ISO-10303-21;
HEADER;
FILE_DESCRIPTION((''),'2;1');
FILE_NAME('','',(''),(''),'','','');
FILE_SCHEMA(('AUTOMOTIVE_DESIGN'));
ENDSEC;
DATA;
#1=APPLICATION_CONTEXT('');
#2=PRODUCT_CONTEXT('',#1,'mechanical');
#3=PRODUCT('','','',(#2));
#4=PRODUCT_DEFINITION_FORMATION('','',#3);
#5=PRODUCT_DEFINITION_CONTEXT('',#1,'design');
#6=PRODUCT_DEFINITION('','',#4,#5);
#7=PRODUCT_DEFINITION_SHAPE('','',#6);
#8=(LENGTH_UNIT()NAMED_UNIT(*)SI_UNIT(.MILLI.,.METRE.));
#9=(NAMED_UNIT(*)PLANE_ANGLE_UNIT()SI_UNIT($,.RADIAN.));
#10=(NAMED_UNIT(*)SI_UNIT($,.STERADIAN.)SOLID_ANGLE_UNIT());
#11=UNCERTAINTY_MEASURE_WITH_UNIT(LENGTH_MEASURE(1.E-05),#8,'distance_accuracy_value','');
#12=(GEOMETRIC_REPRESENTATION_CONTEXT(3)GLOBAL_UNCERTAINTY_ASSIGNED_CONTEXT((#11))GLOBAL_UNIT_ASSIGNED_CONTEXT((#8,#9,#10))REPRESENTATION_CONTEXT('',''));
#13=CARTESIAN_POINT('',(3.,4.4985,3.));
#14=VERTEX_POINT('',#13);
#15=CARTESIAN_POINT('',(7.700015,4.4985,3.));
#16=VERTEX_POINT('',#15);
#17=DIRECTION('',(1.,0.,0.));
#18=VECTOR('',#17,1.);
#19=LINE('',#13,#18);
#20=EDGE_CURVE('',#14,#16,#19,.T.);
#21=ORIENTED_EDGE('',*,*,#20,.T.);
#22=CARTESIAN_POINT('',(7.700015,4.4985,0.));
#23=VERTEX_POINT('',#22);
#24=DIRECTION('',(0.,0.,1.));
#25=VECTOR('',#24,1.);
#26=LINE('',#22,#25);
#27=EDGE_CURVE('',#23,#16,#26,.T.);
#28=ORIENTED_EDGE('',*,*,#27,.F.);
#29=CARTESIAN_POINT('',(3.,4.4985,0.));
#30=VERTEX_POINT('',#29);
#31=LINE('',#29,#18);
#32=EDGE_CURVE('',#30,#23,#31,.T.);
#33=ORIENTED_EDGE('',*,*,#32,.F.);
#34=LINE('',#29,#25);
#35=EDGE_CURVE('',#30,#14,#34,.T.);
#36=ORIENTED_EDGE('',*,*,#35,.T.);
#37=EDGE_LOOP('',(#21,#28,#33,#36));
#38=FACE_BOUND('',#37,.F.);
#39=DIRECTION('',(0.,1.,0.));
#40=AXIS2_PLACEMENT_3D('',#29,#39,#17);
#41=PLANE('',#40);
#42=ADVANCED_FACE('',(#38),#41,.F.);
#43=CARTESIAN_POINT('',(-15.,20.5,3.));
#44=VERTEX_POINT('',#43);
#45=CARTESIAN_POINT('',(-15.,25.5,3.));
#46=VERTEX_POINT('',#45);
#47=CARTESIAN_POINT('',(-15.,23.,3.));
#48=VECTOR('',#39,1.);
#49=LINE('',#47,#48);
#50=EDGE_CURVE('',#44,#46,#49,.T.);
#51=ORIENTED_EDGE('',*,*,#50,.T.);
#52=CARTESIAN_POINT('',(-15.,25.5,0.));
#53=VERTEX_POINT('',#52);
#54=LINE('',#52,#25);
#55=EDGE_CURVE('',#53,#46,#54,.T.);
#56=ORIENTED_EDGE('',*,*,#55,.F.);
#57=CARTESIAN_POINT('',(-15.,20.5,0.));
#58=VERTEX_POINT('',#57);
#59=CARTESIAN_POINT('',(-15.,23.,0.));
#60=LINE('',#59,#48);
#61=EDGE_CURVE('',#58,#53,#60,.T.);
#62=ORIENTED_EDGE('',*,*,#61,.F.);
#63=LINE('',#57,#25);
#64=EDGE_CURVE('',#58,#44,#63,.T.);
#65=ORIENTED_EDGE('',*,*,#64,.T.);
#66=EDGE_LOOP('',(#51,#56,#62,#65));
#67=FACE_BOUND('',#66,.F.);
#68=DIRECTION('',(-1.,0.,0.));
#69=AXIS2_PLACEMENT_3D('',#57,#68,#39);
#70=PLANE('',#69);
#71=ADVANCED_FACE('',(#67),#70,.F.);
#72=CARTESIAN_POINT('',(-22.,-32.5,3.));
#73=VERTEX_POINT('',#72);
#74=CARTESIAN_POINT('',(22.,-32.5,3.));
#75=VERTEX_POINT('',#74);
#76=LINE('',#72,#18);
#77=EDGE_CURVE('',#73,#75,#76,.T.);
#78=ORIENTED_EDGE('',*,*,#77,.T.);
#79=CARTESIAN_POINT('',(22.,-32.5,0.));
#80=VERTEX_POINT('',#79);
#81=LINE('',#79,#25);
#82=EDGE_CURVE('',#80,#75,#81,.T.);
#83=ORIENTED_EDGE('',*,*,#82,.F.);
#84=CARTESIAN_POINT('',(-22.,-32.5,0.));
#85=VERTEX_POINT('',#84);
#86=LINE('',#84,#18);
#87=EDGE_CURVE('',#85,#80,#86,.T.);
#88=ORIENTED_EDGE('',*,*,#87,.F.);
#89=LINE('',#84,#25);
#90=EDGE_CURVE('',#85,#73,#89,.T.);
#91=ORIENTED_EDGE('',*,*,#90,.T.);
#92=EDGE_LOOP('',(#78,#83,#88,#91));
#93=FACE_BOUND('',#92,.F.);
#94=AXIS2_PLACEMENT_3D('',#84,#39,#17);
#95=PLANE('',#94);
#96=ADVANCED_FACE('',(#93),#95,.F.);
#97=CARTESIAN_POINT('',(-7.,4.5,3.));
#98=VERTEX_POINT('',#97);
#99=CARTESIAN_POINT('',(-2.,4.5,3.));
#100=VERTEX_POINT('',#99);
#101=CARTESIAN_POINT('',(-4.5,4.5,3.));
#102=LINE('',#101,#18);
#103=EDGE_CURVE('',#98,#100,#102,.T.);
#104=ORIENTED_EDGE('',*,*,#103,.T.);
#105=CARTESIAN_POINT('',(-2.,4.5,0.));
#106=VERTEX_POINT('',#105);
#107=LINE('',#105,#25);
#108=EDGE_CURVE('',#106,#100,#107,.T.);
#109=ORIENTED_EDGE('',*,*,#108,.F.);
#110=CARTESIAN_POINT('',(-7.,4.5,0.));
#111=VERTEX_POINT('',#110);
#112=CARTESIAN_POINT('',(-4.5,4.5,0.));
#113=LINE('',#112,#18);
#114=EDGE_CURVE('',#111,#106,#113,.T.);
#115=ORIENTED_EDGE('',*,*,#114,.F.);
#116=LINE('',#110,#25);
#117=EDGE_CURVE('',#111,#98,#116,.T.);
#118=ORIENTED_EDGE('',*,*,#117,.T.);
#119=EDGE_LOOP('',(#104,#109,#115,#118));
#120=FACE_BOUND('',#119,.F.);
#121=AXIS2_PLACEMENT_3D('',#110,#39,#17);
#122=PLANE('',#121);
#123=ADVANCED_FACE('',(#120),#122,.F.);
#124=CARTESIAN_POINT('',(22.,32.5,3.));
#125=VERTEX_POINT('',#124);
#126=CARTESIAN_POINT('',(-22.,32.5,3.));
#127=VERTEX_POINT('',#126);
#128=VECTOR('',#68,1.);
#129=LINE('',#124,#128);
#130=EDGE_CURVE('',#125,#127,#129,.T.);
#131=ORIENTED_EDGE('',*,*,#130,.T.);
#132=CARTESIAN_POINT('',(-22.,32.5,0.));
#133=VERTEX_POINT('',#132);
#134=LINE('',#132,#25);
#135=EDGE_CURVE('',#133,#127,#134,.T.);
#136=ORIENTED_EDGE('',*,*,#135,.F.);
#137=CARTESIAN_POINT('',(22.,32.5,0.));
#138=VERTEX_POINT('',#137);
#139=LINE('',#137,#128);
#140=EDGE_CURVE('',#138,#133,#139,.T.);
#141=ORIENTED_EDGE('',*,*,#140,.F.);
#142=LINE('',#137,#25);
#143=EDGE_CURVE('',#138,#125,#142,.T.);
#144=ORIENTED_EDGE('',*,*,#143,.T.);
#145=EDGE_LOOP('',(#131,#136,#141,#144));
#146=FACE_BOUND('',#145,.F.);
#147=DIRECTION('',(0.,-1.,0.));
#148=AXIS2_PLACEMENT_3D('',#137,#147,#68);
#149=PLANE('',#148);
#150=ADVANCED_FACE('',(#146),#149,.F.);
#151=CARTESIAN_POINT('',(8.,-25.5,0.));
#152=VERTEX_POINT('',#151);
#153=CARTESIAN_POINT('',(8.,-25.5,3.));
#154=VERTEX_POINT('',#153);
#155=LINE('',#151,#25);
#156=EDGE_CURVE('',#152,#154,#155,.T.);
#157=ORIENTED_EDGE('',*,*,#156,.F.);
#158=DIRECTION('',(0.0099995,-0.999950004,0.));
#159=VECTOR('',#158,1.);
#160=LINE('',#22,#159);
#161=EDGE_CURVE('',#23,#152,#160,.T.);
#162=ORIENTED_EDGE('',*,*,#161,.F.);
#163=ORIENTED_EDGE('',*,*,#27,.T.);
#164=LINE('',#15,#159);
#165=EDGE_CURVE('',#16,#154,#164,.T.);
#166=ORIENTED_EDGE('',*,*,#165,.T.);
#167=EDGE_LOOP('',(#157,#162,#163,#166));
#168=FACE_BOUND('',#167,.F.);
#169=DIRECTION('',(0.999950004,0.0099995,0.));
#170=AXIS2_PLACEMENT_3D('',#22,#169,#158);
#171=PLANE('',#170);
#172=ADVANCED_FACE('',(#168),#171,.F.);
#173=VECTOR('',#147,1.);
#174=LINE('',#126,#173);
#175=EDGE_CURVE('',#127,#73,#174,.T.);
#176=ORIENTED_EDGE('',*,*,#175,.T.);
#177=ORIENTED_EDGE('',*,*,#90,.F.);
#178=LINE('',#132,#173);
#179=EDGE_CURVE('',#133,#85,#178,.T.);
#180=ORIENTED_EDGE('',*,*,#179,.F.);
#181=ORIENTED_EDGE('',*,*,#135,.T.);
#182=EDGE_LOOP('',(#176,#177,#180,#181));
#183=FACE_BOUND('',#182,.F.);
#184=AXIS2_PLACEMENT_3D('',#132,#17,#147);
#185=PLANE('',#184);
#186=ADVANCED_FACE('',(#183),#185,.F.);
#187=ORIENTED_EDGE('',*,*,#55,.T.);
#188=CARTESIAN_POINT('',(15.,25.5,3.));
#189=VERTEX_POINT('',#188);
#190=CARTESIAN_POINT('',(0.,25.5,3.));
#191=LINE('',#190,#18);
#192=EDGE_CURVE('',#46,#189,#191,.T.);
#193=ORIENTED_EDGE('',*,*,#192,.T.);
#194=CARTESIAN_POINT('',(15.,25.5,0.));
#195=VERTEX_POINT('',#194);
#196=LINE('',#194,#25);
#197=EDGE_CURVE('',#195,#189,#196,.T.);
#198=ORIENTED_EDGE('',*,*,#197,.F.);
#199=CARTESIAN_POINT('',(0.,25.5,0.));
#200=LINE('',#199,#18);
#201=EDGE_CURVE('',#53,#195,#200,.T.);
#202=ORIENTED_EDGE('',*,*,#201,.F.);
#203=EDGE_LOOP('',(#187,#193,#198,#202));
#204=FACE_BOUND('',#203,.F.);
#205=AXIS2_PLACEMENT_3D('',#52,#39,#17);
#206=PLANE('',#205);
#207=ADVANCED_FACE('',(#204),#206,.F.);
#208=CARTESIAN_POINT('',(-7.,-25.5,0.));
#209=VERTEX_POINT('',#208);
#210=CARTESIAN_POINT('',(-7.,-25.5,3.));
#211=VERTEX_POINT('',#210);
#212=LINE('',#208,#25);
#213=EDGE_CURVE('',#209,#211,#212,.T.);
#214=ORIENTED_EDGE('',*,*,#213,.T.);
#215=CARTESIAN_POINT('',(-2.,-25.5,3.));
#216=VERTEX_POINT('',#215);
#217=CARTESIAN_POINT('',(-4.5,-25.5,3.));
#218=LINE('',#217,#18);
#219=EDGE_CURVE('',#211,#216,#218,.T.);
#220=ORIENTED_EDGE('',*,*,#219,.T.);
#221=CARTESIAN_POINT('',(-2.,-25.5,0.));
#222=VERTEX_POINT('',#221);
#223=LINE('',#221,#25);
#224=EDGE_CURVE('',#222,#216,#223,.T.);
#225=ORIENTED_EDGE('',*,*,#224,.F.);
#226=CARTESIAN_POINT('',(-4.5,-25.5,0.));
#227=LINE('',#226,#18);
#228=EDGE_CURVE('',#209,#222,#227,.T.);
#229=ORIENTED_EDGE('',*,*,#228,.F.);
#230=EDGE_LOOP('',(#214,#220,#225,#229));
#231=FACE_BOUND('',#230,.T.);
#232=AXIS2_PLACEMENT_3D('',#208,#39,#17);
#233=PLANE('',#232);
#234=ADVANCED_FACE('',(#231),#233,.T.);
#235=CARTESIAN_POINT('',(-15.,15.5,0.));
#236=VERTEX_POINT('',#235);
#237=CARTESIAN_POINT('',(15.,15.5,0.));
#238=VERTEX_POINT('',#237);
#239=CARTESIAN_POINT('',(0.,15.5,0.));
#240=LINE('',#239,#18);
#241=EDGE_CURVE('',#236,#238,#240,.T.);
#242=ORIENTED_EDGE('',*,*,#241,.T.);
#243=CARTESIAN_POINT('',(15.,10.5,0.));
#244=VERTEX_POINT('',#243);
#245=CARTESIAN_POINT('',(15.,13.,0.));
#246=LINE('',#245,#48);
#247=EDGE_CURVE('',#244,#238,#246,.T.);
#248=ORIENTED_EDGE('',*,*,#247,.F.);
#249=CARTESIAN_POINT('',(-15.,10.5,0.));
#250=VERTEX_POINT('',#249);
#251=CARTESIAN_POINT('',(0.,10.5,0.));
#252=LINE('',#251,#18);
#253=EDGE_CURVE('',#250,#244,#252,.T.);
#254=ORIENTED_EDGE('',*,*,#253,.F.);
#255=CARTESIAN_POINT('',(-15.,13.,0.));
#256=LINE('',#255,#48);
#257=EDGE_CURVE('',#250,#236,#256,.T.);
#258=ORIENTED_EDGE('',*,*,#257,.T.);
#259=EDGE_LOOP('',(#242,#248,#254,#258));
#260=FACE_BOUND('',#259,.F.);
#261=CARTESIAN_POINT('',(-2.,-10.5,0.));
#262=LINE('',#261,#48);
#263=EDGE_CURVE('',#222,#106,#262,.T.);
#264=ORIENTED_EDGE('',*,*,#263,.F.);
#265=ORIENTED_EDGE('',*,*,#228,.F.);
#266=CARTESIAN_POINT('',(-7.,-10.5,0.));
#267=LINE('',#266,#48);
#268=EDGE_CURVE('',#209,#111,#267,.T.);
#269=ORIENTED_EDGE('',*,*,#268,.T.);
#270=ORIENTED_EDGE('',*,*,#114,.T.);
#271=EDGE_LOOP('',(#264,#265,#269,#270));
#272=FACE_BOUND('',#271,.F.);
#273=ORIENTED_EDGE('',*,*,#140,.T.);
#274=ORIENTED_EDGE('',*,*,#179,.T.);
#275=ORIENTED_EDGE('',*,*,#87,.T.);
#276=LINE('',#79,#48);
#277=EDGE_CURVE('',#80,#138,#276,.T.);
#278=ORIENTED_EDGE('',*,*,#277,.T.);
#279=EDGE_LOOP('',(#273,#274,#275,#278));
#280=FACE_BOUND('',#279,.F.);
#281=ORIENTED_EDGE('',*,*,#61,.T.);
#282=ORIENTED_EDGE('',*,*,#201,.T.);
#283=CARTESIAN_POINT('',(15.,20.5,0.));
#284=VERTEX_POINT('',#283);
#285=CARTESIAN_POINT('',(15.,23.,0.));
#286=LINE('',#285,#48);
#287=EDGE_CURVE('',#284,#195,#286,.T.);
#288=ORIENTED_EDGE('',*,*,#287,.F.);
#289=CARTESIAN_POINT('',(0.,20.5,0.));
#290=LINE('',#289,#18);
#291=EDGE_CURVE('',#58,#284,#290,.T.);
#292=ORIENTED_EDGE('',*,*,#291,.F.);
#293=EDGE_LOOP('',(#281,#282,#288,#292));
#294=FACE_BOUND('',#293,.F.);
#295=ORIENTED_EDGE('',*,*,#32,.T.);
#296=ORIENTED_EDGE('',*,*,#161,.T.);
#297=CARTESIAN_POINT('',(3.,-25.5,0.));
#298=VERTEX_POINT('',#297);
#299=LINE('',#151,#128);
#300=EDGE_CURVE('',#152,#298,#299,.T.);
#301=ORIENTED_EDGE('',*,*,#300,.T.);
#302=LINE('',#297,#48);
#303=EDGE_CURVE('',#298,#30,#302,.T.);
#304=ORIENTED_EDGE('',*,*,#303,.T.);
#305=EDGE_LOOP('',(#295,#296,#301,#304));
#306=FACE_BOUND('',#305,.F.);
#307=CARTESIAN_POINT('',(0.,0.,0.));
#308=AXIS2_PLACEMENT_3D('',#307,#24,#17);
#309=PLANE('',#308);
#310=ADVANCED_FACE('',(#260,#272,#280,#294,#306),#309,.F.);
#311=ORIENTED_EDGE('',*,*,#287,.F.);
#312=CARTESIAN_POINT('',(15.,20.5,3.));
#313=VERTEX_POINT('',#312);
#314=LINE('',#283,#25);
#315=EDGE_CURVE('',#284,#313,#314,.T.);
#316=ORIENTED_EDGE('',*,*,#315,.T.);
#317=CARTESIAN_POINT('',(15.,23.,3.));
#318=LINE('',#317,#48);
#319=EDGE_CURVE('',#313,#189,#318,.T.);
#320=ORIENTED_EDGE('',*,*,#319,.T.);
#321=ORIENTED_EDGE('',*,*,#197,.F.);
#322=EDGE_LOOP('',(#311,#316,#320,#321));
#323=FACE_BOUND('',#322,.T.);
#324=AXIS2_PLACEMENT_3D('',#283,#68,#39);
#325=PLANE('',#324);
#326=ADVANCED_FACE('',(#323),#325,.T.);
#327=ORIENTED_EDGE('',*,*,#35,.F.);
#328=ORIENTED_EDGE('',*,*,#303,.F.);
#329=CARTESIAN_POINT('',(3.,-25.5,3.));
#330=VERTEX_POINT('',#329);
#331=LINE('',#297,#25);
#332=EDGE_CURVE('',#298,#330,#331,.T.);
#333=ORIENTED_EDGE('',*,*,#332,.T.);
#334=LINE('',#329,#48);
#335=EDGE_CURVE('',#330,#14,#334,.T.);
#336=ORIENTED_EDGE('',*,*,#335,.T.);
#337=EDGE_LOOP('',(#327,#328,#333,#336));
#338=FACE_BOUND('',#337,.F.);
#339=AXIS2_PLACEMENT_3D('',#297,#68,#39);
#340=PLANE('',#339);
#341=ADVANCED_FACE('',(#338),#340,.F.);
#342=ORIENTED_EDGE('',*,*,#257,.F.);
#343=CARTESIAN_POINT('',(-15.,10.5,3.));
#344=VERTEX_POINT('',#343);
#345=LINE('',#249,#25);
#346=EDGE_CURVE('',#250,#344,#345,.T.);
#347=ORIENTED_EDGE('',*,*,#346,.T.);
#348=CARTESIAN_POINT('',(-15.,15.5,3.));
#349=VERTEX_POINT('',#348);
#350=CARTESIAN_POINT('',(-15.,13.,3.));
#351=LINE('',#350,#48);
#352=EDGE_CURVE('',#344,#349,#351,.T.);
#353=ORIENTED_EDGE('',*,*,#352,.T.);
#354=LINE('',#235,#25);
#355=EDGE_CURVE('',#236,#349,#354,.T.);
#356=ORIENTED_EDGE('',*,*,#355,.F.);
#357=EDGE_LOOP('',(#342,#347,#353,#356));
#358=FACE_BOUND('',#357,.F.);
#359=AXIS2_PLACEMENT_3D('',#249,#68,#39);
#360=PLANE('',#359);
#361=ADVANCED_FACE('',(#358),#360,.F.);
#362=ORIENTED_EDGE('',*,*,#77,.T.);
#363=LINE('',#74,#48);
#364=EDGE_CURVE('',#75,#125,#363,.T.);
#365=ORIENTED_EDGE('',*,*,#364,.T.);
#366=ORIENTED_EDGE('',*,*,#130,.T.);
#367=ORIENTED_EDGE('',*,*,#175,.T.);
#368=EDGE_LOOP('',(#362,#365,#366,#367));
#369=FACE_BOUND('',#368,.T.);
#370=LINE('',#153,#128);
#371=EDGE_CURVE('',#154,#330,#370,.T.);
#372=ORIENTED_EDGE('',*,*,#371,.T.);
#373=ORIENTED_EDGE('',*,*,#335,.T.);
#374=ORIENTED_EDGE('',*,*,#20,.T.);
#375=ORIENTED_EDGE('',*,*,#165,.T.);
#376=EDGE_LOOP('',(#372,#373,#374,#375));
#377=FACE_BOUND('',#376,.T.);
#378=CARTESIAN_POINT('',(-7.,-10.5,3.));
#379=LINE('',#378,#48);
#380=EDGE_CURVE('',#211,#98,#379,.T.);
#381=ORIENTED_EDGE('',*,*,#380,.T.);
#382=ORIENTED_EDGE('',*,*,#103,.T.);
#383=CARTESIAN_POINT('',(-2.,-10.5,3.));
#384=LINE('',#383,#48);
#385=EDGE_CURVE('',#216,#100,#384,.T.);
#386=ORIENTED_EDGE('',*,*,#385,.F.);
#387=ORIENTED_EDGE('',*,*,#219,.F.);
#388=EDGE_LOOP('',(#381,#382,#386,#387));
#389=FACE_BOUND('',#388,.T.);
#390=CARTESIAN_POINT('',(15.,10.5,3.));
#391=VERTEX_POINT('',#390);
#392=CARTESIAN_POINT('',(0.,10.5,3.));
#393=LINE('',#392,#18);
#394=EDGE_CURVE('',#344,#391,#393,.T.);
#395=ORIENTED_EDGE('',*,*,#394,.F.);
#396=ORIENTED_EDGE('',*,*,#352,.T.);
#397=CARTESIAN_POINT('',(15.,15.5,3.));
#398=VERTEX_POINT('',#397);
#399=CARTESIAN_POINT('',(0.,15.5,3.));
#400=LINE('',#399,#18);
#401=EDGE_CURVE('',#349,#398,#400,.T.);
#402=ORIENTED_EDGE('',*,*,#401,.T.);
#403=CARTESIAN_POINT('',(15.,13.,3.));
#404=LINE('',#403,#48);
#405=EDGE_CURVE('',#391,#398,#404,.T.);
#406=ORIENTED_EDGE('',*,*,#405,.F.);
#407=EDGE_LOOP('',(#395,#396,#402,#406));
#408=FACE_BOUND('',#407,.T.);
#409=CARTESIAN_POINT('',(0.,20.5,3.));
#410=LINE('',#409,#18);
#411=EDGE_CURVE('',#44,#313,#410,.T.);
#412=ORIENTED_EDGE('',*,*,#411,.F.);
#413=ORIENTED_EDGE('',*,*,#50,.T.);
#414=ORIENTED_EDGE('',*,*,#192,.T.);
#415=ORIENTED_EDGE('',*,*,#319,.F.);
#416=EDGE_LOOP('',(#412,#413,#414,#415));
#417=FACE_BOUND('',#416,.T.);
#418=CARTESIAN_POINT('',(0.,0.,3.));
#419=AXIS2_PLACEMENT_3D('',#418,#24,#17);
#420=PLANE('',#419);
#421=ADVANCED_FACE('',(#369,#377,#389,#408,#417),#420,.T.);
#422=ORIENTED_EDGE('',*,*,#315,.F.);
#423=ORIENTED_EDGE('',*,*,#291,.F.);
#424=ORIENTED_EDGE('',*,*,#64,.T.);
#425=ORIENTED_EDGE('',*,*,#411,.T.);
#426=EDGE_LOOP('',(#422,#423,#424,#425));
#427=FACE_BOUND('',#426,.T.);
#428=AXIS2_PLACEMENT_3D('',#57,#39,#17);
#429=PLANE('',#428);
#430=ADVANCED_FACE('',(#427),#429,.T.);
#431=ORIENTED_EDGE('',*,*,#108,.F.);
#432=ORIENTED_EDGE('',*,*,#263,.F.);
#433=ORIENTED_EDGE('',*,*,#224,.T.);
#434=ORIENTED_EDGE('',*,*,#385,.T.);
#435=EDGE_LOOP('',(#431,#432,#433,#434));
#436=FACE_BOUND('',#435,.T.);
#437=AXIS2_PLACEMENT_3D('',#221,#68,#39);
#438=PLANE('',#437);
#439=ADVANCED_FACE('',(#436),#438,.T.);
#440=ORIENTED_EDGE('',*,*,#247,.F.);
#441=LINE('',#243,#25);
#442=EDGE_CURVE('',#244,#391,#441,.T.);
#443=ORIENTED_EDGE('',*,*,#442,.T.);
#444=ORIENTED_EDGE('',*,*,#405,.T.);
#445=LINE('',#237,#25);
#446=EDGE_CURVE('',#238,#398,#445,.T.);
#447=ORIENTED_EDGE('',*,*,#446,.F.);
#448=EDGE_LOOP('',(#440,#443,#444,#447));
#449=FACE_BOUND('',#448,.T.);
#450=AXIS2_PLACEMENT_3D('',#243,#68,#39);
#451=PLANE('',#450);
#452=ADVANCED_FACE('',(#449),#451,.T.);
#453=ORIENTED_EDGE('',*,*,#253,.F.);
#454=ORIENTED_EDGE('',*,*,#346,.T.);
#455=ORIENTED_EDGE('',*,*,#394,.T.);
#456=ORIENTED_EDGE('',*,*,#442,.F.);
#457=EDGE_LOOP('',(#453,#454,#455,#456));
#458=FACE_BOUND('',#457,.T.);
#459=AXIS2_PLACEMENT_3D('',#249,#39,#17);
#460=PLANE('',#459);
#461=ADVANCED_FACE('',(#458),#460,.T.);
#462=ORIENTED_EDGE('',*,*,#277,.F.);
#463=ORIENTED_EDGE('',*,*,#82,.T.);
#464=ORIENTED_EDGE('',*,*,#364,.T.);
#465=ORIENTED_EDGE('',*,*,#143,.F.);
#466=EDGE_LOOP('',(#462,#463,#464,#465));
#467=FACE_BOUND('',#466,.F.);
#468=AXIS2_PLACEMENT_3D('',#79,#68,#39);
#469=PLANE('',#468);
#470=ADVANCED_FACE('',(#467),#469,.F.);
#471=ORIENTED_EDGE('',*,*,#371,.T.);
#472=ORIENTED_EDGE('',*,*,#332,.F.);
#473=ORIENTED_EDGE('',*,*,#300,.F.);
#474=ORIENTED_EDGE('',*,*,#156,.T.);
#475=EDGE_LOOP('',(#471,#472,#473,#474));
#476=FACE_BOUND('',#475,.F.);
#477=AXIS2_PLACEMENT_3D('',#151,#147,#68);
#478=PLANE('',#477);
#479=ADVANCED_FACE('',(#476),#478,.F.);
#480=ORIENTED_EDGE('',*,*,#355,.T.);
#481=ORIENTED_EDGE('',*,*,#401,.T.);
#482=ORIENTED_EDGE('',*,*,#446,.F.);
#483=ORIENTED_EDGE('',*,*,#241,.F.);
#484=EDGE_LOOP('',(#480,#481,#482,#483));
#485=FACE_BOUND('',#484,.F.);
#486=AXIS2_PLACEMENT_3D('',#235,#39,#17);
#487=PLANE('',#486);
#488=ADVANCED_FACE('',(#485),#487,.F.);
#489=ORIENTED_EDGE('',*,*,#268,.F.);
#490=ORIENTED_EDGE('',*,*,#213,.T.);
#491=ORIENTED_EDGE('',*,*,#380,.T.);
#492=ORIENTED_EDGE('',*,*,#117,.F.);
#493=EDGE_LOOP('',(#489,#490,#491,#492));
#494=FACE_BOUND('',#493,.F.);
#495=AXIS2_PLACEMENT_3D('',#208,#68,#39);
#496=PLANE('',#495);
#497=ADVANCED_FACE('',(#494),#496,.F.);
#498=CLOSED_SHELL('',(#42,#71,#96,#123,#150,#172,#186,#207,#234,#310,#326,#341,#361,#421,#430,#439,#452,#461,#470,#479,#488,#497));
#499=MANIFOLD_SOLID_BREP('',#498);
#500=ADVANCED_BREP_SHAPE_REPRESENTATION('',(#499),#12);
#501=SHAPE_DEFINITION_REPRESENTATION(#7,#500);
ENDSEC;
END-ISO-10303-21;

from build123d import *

# Parameters (mm, degrees)
F0_W     = 5
F0_H     = 30
F0_W_2   = 30
F0_H_2   = 5
F1_DEPTH = 3


with BuildPart() as f1:
    # F0 (on Top) → F1 (new body)
    with BuildSketch(Plane.XY):
        Polygon((-7, -32.5), (22, -32.5), (22, 32.5), (-22, 32.5), (-22, 25.5), (-22, -32.5), align=None)
        with Locations((-4.5, -10.5)):
            Rectangle(F0_W, F0_H, mode=Mode.SUBTRACT)
        Polygon((8, -25.5), (3, -25.5), (3, 4.4985), (7.700015, 4.4985), align=None, mode=Mode.SUBTRACT)
        with Locations((0, 13)):
            Rectangle(F0_W_2, F0_H_2, mode=Mode.SUBTRACT)
        with Locations((0, 23)):
            Rectangle(F0_W_2, F0_H_2, mode=Mode.SUBTRACT)
    extrude(amount=F1_DEPTH)


solid = f1.part
